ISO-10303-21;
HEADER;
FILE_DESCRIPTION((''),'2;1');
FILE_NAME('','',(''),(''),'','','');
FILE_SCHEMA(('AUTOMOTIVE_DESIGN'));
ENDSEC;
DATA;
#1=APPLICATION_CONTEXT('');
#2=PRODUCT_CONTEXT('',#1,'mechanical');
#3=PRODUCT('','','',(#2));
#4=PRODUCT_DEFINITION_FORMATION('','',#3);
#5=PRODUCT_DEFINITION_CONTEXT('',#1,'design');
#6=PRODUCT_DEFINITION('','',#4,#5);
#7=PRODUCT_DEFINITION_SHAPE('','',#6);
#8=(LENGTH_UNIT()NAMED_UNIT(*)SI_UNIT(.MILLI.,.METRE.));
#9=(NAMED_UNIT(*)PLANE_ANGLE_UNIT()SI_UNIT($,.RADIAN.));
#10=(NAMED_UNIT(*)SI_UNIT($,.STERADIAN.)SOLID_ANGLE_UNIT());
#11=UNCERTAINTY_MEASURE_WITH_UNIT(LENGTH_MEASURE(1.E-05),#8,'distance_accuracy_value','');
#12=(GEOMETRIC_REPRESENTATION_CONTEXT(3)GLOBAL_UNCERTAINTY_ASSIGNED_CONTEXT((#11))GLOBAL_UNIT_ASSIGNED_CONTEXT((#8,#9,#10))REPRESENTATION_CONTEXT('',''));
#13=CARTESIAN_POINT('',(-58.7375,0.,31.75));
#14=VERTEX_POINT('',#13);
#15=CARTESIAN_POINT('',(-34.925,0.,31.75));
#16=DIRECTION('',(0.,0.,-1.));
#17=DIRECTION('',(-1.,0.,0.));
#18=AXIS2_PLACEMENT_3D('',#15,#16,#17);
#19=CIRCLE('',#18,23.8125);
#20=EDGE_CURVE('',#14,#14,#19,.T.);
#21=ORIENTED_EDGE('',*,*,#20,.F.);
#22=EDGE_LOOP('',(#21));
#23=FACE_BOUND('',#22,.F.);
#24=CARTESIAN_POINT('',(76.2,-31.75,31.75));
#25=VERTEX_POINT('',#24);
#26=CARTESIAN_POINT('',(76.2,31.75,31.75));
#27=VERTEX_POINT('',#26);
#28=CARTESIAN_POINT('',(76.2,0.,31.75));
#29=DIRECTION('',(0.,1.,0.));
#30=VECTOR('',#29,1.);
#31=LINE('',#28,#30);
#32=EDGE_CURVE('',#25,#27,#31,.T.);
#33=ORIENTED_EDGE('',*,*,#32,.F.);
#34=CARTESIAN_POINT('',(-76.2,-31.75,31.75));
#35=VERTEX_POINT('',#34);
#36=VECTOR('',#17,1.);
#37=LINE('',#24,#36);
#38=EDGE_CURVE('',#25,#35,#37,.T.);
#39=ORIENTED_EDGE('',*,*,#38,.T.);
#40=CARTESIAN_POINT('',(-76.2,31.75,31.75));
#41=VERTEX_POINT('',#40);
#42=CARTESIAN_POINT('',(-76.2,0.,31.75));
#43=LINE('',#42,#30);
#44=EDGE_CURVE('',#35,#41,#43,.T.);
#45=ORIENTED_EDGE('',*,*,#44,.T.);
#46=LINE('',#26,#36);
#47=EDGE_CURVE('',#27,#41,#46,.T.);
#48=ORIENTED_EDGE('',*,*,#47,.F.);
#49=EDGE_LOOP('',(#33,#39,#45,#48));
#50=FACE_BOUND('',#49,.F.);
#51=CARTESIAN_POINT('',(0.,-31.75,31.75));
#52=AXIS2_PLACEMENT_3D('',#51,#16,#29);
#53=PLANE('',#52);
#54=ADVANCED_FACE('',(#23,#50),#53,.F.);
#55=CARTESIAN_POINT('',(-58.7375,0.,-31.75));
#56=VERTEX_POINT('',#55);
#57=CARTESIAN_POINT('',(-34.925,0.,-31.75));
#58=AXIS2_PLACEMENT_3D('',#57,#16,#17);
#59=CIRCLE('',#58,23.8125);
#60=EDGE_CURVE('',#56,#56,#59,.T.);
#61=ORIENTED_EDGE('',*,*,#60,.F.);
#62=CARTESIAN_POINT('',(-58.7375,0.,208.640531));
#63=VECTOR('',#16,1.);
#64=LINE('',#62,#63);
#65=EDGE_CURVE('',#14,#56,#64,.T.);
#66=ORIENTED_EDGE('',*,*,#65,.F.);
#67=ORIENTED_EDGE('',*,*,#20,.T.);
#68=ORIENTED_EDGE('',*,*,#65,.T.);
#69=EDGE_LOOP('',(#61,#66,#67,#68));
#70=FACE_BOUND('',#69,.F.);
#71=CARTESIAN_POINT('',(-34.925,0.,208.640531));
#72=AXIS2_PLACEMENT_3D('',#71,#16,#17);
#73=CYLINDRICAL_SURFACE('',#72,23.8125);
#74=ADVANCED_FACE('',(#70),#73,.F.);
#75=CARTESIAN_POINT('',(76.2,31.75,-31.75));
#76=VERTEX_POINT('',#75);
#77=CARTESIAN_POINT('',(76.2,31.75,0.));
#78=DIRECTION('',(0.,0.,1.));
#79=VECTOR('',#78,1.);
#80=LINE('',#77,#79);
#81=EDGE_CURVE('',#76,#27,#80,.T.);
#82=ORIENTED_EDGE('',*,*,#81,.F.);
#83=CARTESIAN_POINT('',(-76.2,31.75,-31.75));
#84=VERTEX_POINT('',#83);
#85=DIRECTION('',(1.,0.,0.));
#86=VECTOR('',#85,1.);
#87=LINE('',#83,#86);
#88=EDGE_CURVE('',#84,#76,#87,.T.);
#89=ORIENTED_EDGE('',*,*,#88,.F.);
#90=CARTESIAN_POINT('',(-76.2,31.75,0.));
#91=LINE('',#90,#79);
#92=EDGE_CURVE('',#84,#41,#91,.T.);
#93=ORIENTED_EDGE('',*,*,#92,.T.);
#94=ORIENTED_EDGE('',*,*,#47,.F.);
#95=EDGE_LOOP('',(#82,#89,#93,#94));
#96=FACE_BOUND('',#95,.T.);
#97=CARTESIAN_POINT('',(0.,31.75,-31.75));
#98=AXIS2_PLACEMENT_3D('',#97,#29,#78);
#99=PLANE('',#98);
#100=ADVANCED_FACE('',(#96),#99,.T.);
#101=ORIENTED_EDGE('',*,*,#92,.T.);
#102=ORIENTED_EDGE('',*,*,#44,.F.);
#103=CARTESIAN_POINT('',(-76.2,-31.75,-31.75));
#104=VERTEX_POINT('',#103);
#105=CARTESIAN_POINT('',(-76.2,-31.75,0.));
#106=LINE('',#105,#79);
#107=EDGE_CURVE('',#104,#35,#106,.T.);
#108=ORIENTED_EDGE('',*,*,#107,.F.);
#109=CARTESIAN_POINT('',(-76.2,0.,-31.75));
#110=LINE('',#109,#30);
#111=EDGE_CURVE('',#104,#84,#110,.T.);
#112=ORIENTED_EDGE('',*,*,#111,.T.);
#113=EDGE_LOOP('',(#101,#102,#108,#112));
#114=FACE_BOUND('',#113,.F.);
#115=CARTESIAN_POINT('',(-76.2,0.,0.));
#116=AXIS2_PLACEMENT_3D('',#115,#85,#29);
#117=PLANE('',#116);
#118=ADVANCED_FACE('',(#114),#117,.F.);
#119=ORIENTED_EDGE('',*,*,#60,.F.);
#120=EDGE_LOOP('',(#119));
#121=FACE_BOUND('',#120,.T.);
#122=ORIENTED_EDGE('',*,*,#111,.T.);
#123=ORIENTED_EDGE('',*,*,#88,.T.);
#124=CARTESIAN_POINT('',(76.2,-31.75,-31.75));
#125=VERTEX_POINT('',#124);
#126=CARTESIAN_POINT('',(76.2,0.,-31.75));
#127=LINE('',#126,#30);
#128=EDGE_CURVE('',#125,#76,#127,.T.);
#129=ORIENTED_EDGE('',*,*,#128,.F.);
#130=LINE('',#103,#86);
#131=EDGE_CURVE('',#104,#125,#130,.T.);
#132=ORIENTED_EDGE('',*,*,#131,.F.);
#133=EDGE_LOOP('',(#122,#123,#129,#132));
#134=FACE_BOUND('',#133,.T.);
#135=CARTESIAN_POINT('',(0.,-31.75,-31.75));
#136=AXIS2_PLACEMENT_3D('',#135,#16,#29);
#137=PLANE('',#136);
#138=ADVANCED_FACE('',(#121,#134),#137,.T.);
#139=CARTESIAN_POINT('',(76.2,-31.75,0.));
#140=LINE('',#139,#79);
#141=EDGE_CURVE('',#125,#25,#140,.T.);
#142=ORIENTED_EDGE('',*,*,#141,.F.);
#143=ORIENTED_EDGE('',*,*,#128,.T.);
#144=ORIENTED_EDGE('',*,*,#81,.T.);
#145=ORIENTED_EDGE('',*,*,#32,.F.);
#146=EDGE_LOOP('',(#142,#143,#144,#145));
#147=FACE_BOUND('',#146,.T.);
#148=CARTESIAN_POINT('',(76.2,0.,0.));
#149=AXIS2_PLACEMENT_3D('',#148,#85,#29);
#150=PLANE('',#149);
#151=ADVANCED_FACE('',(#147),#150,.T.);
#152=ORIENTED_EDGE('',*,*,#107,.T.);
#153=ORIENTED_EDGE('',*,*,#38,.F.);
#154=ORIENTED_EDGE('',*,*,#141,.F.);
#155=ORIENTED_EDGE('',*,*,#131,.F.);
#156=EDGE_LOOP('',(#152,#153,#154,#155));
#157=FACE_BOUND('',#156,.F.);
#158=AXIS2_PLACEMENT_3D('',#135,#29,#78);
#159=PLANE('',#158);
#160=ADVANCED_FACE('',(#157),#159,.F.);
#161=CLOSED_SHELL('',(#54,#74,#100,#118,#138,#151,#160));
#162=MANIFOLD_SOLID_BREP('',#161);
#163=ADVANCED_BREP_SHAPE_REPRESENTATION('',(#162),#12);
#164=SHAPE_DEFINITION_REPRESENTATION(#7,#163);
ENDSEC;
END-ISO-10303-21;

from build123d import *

# Parameters (mm, degrees)
F0_W     = 63.5
F0_H     = 63.5
F1_DEPTH = 76.2
F3_D     = 47.625


with BuildPart() as f1:
    # F0 (on Right) → F1 (new body, symmetric)
    with BuildSketch(Plane.YZ):
        Rectangle(F0_W, F0_H)
    extrude(amount=F1_DEPTH, both=True)

    # F3 (through all)
    with Locations(Plane.XY.offset(31.75)):
        with Locations((-34.925, 0)):
            Hole(F3_D / 2)


solid = f1.part
